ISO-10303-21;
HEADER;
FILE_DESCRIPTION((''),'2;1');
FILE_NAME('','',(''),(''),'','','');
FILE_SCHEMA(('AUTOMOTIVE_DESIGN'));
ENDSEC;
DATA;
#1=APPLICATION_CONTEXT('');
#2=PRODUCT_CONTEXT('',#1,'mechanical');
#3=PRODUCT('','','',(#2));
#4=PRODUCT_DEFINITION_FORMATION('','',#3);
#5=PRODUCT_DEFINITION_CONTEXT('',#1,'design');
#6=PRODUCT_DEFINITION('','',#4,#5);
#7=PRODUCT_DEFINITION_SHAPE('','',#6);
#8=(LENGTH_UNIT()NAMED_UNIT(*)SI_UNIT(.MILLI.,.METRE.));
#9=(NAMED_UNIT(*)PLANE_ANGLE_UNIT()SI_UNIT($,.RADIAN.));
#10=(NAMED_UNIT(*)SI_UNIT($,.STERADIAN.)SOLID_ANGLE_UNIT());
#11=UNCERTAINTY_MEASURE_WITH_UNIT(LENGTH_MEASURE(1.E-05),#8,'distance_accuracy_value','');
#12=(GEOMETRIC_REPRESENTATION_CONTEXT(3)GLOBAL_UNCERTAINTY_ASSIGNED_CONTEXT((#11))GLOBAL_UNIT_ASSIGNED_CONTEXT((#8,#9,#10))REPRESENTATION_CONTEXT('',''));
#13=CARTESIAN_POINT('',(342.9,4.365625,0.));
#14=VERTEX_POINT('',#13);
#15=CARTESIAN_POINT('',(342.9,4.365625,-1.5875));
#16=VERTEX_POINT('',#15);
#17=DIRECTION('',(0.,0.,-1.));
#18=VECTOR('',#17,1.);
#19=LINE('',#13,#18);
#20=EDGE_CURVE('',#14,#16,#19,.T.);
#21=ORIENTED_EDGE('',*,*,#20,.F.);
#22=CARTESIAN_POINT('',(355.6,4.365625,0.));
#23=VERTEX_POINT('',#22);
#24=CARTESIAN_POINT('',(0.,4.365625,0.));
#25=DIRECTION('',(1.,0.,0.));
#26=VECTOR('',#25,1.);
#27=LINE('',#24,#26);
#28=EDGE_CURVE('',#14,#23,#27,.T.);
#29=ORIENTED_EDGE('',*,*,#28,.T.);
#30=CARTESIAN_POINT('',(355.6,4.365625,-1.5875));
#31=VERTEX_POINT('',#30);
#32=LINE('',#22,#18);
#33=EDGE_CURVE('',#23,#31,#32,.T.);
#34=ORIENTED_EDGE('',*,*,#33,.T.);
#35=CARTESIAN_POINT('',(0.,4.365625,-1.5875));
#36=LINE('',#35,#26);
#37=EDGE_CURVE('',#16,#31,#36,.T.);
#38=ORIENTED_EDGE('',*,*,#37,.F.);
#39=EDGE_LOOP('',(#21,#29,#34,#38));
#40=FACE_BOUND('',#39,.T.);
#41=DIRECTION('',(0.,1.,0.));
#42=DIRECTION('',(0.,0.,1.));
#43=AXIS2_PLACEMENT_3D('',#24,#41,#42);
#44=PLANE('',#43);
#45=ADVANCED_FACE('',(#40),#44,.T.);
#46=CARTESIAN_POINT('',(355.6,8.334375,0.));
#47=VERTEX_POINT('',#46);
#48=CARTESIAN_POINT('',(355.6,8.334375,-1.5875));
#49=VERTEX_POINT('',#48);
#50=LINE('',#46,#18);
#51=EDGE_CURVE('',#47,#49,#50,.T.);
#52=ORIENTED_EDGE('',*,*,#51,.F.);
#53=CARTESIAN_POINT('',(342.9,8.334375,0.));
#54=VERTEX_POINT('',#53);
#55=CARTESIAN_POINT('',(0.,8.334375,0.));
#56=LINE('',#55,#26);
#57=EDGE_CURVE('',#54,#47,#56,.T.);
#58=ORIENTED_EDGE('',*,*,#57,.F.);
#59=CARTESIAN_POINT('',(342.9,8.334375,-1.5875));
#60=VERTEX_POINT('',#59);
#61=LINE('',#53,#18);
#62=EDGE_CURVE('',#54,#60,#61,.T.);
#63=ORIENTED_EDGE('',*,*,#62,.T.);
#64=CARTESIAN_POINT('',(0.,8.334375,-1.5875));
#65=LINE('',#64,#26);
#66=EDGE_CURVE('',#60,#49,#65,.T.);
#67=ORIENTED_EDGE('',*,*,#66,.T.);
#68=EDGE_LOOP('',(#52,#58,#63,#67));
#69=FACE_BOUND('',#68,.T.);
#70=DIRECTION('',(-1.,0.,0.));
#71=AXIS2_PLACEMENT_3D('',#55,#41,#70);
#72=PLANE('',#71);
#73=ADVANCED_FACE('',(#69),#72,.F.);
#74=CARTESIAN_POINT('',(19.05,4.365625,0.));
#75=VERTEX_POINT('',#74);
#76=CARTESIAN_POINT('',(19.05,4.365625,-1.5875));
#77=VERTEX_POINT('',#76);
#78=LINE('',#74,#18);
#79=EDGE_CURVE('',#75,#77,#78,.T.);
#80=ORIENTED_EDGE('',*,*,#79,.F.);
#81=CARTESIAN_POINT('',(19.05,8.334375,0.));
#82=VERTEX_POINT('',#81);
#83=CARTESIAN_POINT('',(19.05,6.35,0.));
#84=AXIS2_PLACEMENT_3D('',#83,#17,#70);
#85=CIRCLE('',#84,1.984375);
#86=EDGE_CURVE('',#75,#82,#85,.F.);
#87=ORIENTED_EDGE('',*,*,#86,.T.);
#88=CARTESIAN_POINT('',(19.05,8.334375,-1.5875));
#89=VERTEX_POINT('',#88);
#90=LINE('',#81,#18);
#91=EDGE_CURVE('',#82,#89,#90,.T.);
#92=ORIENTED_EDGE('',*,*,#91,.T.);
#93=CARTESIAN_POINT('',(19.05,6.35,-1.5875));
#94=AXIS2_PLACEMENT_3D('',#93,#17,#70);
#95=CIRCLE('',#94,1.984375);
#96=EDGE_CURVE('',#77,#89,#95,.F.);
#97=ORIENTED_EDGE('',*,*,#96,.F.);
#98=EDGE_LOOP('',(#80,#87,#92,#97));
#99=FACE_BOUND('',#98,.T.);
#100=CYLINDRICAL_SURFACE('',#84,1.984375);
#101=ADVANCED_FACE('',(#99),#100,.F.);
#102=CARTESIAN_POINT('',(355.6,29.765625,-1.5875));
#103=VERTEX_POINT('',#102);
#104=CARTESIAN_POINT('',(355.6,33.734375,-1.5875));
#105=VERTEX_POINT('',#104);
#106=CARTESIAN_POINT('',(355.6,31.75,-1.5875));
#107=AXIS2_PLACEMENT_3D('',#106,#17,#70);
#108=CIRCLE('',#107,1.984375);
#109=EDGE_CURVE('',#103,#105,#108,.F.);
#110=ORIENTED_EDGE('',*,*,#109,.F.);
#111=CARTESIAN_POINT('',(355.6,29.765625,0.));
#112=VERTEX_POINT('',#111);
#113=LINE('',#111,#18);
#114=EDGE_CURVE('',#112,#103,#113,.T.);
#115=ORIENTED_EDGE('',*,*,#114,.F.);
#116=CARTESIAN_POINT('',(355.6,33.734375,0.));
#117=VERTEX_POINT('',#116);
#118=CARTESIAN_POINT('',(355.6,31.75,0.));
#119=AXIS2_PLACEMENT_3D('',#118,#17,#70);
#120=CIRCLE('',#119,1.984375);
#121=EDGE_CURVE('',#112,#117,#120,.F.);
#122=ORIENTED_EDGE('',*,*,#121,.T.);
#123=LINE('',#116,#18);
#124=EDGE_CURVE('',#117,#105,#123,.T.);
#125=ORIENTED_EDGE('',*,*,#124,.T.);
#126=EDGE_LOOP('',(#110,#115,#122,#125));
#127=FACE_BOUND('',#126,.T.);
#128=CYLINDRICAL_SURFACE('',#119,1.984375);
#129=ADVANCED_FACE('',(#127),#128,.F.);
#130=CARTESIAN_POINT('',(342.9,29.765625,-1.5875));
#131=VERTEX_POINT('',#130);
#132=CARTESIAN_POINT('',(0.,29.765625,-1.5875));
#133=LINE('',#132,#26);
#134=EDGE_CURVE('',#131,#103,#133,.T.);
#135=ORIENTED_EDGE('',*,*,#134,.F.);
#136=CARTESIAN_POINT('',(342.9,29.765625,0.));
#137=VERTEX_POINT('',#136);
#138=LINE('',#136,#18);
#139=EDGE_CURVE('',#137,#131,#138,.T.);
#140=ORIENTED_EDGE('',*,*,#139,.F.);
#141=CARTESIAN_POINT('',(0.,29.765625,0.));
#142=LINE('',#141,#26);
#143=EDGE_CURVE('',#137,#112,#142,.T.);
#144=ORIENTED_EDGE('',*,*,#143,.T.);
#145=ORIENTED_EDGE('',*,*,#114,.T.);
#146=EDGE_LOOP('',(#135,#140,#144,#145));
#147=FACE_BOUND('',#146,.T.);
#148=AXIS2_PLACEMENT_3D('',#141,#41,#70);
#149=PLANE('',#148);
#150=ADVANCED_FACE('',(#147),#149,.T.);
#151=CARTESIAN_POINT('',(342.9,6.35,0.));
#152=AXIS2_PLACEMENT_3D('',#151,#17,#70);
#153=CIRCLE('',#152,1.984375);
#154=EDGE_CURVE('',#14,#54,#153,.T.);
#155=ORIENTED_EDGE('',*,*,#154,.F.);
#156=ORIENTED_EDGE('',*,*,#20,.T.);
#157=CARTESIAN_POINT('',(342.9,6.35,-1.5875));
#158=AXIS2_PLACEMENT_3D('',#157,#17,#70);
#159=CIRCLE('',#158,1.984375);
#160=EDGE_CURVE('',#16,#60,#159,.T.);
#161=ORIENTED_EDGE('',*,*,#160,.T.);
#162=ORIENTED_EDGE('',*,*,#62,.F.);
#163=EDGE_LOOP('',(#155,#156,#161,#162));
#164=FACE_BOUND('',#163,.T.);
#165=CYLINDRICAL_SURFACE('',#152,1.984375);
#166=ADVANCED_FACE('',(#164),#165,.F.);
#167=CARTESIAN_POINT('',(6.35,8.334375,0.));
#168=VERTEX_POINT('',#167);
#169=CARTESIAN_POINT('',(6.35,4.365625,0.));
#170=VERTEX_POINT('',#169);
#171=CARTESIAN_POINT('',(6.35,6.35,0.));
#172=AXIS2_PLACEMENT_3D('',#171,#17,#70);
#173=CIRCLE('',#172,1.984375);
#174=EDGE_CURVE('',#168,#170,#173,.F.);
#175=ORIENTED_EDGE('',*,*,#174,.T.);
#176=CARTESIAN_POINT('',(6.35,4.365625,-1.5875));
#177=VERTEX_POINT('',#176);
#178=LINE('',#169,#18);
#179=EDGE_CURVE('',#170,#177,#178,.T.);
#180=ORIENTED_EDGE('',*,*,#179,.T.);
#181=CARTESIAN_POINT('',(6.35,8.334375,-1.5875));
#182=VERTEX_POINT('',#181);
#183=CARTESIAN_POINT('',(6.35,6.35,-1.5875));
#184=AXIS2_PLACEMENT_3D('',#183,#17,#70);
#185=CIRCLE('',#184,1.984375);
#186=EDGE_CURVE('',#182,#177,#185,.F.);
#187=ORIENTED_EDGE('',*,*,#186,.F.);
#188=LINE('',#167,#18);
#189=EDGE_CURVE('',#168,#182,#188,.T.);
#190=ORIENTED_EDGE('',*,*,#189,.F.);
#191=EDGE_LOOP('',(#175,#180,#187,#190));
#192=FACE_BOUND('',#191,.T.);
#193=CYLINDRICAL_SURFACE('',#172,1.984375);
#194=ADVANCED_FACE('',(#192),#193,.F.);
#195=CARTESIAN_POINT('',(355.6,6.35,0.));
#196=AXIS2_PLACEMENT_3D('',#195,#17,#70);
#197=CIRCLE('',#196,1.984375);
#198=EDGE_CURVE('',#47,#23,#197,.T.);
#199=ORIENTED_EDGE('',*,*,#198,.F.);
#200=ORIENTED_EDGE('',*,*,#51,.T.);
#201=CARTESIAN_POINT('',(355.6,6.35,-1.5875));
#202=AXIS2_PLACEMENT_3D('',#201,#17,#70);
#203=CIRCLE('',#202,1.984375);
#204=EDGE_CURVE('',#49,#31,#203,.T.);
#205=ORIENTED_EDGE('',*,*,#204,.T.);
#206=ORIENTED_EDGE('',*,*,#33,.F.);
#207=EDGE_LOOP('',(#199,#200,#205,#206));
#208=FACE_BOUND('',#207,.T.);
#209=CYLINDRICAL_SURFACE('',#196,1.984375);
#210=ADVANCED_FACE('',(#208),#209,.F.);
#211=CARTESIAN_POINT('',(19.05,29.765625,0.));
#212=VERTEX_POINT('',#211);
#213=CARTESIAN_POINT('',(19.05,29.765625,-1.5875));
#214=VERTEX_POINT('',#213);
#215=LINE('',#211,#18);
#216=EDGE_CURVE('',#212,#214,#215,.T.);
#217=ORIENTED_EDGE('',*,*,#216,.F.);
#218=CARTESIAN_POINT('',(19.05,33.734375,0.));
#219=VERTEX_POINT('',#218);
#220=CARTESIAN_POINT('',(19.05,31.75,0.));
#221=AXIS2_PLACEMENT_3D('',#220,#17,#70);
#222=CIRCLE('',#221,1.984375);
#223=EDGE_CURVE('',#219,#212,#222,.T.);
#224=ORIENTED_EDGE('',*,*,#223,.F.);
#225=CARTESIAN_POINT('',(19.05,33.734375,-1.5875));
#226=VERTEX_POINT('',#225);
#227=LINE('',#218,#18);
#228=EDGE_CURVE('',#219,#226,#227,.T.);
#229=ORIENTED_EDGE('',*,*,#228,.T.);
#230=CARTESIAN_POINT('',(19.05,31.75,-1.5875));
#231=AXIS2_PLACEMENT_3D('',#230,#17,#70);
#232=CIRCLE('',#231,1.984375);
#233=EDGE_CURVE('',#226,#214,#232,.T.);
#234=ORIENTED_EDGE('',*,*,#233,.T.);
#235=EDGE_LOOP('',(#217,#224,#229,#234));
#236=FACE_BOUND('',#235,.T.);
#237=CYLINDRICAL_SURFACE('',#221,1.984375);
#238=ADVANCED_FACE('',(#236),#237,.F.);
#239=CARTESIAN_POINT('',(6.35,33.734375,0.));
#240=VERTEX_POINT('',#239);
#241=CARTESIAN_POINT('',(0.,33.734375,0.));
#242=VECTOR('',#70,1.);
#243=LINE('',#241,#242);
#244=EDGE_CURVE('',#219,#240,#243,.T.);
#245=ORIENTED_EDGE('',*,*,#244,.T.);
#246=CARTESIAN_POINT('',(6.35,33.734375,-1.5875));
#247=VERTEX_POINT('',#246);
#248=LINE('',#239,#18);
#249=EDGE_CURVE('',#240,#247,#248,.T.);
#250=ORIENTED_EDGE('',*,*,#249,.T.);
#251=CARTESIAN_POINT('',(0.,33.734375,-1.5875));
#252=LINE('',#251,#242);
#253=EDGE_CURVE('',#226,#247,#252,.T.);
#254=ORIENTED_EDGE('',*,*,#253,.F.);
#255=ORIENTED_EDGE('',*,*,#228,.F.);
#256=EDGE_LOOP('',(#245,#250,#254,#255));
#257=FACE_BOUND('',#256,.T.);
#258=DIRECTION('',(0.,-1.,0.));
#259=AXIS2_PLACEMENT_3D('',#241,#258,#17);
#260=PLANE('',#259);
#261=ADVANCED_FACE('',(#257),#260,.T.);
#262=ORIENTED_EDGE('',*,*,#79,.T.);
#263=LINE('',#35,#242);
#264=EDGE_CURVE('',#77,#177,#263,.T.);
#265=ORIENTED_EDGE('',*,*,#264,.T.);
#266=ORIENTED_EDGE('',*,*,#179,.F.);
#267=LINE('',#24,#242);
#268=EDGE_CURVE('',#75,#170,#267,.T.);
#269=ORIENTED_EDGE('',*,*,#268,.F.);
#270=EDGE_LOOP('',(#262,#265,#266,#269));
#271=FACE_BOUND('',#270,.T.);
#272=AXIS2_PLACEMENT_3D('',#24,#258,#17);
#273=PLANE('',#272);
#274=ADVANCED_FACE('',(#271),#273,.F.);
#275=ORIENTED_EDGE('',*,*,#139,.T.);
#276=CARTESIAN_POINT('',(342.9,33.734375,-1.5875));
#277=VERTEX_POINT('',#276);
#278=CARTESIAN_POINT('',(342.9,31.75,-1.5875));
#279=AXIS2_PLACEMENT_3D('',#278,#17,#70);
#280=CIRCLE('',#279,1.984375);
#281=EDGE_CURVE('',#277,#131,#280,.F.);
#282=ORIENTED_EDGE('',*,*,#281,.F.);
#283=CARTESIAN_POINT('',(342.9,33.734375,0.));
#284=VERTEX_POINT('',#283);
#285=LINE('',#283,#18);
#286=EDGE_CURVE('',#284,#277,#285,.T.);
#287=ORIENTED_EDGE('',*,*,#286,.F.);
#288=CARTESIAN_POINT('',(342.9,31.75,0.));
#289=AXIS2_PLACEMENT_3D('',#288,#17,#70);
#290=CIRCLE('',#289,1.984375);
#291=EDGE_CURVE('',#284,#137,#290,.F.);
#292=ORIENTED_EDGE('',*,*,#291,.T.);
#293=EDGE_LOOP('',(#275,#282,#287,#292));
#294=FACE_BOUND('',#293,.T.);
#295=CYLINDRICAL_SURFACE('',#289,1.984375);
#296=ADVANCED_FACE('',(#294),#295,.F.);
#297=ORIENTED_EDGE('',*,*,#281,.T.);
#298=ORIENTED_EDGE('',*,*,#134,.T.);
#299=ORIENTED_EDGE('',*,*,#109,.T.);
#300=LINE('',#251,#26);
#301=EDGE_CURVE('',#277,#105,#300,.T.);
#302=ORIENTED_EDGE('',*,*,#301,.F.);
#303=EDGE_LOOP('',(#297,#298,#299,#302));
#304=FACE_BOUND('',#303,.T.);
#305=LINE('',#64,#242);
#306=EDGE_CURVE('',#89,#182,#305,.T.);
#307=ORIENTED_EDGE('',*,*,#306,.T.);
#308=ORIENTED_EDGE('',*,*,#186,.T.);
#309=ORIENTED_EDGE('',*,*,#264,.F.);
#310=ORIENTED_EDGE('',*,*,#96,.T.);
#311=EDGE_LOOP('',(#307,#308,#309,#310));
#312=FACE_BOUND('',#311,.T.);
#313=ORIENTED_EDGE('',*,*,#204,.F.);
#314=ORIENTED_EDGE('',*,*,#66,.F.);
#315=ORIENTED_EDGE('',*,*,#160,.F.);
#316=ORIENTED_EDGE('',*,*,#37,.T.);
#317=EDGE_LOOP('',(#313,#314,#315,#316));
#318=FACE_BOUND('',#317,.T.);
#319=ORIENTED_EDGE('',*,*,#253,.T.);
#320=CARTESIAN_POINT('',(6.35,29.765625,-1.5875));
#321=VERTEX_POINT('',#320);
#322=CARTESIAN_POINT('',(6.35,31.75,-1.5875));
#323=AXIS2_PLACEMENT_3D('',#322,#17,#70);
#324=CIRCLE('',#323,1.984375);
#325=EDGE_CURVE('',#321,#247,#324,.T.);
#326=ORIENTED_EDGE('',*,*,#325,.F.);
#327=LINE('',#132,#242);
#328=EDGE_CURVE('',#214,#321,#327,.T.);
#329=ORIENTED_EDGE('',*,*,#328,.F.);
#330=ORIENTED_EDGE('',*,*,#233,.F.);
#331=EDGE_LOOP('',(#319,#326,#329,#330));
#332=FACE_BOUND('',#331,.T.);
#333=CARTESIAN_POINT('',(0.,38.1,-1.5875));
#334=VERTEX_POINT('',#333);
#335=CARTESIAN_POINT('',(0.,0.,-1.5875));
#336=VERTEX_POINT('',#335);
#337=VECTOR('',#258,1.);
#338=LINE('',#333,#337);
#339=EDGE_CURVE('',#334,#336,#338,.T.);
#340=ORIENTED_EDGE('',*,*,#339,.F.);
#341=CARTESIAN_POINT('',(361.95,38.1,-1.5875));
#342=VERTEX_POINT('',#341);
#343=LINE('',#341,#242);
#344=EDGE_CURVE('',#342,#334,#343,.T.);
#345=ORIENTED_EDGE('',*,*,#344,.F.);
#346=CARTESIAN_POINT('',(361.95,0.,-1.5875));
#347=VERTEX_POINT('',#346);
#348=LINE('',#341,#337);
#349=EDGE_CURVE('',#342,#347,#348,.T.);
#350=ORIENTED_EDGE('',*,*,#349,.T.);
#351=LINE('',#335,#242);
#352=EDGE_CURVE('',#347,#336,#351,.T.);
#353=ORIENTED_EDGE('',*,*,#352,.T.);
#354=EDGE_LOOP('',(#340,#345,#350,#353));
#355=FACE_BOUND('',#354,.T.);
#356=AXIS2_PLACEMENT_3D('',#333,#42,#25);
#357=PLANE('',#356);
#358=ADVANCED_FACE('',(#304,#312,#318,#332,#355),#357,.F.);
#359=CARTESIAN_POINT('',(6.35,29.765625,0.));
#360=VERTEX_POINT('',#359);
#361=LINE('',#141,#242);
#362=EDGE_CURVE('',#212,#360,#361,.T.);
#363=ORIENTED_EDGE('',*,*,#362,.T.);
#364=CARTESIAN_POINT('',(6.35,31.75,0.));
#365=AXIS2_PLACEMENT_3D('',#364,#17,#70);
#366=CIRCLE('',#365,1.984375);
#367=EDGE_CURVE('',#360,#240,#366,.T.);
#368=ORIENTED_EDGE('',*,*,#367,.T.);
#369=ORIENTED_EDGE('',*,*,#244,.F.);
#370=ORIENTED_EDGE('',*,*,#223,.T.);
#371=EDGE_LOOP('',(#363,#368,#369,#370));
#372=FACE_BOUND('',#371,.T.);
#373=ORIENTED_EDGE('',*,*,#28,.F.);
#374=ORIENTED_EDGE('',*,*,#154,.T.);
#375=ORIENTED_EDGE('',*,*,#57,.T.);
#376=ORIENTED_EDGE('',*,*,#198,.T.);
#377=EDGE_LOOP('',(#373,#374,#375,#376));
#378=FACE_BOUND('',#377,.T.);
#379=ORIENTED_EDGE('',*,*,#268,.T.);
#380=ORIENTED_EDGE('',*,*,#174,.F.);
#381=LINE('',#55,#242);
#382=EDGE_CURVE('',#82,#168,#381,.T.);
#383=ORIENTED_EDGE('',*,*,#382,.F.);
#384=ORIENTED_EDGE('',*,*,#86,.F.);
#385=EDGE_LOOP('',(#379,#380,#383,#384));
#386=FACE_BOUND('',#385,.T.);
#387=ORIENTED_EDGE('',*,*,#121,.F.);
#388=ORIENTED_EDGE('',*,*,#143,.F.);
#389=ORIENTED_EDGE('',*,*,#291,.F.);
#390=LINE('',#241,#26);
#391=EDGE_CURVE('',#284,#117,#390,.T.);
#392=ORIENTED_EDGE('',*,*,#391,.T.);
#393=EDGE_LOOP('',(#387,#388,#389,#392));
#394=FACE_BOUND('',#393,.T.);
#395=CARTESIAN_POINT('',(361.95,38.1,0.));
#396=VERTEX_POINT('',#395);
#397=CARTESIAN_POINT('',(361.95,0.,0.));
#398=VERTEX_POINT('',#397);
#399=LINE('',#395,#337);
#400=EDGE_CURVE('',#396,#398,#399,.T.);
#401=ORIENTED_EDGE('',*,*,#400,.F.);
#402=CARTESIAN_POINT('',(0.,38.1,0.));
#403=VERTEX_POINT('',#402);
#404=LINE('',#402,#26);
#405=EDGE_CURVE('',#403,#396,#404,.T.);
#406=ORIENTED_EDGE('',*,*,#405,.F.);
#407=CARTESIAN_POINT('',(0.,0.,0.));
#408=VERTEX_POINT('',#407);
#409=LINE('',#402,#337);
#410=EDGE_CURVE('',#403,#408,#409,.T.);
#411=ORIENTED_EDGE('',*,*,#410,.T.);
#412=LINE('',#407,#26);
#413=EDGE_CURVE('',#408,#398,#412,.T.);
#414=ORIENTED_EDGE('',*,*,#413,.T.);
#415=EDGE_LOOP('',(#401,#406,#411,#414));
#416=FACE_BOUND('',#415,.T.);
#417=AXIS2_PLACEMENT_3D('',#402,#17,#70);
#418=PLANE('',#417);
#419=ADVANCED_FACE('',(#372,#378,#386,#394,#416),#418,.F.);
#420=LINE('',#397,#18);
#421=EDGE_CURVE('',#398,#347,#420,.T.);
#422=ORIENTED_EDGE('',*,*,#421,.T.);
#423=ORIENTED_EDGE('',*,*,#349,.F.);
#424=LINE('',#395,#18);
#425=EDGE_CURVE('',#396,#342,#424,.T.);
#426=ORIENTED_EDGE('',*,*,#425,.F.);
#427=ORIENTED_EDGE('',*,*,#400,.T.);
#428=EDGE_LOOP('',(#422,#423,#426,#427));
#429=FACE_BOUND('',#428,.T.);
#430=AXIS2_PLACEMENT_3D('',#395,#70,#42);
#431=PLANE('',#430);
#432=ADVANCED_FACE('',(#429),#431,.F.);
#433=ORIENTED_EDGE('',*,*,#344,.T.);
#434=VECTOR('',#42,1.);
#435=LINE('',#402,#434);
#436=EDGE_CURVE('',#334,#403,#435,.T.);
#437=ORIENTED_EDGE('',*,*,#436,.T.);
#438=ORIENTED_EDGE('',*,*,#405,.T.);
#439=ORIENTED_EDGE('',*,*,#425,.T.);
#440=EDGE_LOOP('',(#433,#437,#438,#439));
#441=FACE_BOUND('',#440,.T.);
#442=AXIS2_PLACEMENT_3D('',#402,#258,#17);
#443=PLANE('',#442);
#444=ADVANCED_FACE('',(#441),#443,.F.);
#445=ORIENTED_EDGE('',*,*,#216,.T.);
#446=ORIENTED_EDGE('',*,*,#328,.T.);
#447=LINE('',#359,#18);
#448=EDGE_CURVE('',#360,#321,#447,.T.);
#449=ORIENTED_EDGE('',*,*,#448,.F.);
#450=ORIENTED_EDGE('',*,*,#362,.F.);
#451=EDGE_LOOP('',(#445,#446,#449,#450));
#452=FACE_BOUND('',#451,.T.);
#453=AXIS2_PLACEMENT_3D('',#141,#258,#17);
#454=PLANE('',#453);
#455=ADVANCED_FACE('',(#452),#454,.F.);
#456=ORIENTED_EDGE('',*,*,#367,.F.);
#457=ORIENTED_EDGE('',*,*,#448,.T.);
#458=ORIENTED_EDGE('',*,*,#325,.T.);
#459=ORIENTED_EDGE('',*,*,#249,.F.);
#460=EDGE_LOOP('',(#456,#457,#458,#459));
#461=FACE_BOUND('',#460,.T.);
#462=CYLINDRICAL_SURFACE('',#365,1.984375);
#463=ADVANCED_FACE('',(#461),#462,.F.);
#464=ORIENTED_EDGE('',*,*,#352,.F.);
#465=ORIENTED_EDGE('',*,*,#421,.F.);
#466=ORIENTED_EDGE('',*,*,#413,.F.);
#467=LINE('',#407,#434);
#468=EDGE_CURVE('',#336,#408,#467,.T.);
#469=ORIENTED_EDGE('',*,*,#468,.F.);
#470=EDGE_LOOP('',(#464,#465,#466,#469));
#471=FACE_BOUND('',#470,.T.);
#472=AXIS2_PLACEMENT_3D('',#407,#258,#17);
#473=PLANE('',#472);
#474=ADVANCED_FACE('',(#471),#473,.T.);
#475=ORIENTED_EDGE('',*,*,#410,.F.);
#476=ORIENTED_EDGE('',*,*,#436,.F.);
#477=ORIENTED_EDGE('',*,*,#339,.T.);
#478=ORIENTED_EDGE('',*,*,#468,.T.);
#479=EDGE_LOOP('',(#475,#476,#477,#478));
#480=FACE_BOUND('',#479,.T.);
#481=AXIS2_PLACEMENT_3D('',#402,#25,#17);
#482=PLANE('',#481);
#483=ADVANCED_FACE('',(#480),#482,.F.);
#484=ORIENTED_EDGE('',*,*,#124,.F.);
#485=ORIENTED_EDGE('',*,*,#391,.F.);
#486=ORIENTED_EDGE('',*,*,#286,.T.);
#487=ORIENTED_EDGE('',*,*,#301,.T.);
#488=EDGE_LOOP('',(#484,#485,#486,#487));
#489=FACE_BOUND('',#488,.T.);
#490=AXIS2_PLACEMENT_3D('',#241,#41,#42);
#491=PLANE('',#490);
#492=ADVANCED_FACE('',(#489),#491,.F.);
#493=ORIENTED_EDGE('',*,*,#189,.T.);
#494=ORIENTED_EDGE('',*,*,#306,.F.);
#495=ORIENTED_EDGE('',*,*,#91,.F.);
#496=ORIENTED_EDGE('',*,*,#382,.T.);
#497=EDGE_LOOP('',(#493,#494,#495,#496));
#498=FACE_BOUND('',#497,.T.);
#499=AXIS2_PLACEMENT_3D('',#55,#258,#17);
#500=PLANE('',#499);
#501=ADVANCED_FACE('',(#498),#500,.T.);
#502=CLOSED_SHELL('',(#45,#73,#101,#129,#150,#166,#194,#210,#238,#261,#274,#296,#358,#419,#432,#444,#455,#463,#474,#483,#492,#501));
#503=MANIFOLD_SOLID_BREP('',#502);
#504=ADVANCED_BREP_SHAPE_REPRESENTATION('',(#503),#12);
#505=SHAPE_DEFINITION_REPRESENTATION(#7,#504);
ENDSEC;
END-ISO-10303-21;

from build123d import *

# Parameters (mm, degrees)
BOSS_EXTRUDE1_DEPTH = 38.1
CUT_EXTRUDE2_DEPTH  = 2.5875


with BuildPart() as part:
    # Sketch1 → Boss-Extrude1 (new body)
    with BuildSketch(Plane(origin=(0, 0, 0), x_dir=(1, 0, 0), z_dir=(0, 1, 0))):
        Polygon((0, 0), (361.95, 0), (361.95, 1.5875), (336.55, 1.5875), (25.4, 1.5875), (0, 1.5875), align=None)
    extrude(amount=BOSS_EXTRUDE1_DEPTH)

    # Sketch2 → Cut-Extrude2 (cut, through all)
    with BuildSketch(Plane(origin=(0, 0, -1.5875), x_dir=(-1, 0, 0), z_dir=(0, 0, -1))):
        with BuildLine():
            Line((-19.05, 29.765625), (-6.35, 29.765625))
            ThreePointArc((-6.35, 29.765625), (-4.365625, 31.75), (-6.35, 33.734375))
            Line((-6.35, 33.734375), (-19.05, 33.734375))
            ThreePointArc((-19.05, 33.734375), (-21.034375, 31.75), (-19.05, 29.765625))
        make_face()
        with BuildLine():
            ThreePointArc((-6.35, 8.334375), (-4.365625, 6.35), (-6.35, 4.365625))
            Line((-6.35, 4.365625), (-19.05, 4.365625))
            ThreePointArc((-19.05, 4.365625), (-21.034375, 6.35), (-19.05, 8.334375))
            Line((-19.05, 8.334375), (-6.35, 8.334375))
        make_face()
        with BuildLine():
            Line((-342.9, 8.334375), (-355.6, 8.334375))
            ThreePointArc((-355.6, 8.334375), (-357.584375, 6.35), (-355.6, 4.365625))
            Line((-355.6, 4.365625), (-342.9, 4.365625))
            ThreePointArc((-342.9, 4.365625), (-340.915625, 6.35), (-342.9, 8.334375))
        make_face()
        with BuildLine():
            ThreePointArc((-355.6, 29.765625), (-357.584375, 31.75), (-355.6, 33.734375))
            Line((-355.6, 33.734375), (-342.9, 33.734375))
            ThreePointArc((-342.9, 33.734375), (-340.915625, 31.75), (-342.9, 29.765625))
            Line((-342.9, 29.765625), (-355.6, 29.765625))
        make_face()
    extrude(amount=-CUT_EXTRUDE2_DEPTH, mode=Mode.SUBTRACT)


solid = part.part
